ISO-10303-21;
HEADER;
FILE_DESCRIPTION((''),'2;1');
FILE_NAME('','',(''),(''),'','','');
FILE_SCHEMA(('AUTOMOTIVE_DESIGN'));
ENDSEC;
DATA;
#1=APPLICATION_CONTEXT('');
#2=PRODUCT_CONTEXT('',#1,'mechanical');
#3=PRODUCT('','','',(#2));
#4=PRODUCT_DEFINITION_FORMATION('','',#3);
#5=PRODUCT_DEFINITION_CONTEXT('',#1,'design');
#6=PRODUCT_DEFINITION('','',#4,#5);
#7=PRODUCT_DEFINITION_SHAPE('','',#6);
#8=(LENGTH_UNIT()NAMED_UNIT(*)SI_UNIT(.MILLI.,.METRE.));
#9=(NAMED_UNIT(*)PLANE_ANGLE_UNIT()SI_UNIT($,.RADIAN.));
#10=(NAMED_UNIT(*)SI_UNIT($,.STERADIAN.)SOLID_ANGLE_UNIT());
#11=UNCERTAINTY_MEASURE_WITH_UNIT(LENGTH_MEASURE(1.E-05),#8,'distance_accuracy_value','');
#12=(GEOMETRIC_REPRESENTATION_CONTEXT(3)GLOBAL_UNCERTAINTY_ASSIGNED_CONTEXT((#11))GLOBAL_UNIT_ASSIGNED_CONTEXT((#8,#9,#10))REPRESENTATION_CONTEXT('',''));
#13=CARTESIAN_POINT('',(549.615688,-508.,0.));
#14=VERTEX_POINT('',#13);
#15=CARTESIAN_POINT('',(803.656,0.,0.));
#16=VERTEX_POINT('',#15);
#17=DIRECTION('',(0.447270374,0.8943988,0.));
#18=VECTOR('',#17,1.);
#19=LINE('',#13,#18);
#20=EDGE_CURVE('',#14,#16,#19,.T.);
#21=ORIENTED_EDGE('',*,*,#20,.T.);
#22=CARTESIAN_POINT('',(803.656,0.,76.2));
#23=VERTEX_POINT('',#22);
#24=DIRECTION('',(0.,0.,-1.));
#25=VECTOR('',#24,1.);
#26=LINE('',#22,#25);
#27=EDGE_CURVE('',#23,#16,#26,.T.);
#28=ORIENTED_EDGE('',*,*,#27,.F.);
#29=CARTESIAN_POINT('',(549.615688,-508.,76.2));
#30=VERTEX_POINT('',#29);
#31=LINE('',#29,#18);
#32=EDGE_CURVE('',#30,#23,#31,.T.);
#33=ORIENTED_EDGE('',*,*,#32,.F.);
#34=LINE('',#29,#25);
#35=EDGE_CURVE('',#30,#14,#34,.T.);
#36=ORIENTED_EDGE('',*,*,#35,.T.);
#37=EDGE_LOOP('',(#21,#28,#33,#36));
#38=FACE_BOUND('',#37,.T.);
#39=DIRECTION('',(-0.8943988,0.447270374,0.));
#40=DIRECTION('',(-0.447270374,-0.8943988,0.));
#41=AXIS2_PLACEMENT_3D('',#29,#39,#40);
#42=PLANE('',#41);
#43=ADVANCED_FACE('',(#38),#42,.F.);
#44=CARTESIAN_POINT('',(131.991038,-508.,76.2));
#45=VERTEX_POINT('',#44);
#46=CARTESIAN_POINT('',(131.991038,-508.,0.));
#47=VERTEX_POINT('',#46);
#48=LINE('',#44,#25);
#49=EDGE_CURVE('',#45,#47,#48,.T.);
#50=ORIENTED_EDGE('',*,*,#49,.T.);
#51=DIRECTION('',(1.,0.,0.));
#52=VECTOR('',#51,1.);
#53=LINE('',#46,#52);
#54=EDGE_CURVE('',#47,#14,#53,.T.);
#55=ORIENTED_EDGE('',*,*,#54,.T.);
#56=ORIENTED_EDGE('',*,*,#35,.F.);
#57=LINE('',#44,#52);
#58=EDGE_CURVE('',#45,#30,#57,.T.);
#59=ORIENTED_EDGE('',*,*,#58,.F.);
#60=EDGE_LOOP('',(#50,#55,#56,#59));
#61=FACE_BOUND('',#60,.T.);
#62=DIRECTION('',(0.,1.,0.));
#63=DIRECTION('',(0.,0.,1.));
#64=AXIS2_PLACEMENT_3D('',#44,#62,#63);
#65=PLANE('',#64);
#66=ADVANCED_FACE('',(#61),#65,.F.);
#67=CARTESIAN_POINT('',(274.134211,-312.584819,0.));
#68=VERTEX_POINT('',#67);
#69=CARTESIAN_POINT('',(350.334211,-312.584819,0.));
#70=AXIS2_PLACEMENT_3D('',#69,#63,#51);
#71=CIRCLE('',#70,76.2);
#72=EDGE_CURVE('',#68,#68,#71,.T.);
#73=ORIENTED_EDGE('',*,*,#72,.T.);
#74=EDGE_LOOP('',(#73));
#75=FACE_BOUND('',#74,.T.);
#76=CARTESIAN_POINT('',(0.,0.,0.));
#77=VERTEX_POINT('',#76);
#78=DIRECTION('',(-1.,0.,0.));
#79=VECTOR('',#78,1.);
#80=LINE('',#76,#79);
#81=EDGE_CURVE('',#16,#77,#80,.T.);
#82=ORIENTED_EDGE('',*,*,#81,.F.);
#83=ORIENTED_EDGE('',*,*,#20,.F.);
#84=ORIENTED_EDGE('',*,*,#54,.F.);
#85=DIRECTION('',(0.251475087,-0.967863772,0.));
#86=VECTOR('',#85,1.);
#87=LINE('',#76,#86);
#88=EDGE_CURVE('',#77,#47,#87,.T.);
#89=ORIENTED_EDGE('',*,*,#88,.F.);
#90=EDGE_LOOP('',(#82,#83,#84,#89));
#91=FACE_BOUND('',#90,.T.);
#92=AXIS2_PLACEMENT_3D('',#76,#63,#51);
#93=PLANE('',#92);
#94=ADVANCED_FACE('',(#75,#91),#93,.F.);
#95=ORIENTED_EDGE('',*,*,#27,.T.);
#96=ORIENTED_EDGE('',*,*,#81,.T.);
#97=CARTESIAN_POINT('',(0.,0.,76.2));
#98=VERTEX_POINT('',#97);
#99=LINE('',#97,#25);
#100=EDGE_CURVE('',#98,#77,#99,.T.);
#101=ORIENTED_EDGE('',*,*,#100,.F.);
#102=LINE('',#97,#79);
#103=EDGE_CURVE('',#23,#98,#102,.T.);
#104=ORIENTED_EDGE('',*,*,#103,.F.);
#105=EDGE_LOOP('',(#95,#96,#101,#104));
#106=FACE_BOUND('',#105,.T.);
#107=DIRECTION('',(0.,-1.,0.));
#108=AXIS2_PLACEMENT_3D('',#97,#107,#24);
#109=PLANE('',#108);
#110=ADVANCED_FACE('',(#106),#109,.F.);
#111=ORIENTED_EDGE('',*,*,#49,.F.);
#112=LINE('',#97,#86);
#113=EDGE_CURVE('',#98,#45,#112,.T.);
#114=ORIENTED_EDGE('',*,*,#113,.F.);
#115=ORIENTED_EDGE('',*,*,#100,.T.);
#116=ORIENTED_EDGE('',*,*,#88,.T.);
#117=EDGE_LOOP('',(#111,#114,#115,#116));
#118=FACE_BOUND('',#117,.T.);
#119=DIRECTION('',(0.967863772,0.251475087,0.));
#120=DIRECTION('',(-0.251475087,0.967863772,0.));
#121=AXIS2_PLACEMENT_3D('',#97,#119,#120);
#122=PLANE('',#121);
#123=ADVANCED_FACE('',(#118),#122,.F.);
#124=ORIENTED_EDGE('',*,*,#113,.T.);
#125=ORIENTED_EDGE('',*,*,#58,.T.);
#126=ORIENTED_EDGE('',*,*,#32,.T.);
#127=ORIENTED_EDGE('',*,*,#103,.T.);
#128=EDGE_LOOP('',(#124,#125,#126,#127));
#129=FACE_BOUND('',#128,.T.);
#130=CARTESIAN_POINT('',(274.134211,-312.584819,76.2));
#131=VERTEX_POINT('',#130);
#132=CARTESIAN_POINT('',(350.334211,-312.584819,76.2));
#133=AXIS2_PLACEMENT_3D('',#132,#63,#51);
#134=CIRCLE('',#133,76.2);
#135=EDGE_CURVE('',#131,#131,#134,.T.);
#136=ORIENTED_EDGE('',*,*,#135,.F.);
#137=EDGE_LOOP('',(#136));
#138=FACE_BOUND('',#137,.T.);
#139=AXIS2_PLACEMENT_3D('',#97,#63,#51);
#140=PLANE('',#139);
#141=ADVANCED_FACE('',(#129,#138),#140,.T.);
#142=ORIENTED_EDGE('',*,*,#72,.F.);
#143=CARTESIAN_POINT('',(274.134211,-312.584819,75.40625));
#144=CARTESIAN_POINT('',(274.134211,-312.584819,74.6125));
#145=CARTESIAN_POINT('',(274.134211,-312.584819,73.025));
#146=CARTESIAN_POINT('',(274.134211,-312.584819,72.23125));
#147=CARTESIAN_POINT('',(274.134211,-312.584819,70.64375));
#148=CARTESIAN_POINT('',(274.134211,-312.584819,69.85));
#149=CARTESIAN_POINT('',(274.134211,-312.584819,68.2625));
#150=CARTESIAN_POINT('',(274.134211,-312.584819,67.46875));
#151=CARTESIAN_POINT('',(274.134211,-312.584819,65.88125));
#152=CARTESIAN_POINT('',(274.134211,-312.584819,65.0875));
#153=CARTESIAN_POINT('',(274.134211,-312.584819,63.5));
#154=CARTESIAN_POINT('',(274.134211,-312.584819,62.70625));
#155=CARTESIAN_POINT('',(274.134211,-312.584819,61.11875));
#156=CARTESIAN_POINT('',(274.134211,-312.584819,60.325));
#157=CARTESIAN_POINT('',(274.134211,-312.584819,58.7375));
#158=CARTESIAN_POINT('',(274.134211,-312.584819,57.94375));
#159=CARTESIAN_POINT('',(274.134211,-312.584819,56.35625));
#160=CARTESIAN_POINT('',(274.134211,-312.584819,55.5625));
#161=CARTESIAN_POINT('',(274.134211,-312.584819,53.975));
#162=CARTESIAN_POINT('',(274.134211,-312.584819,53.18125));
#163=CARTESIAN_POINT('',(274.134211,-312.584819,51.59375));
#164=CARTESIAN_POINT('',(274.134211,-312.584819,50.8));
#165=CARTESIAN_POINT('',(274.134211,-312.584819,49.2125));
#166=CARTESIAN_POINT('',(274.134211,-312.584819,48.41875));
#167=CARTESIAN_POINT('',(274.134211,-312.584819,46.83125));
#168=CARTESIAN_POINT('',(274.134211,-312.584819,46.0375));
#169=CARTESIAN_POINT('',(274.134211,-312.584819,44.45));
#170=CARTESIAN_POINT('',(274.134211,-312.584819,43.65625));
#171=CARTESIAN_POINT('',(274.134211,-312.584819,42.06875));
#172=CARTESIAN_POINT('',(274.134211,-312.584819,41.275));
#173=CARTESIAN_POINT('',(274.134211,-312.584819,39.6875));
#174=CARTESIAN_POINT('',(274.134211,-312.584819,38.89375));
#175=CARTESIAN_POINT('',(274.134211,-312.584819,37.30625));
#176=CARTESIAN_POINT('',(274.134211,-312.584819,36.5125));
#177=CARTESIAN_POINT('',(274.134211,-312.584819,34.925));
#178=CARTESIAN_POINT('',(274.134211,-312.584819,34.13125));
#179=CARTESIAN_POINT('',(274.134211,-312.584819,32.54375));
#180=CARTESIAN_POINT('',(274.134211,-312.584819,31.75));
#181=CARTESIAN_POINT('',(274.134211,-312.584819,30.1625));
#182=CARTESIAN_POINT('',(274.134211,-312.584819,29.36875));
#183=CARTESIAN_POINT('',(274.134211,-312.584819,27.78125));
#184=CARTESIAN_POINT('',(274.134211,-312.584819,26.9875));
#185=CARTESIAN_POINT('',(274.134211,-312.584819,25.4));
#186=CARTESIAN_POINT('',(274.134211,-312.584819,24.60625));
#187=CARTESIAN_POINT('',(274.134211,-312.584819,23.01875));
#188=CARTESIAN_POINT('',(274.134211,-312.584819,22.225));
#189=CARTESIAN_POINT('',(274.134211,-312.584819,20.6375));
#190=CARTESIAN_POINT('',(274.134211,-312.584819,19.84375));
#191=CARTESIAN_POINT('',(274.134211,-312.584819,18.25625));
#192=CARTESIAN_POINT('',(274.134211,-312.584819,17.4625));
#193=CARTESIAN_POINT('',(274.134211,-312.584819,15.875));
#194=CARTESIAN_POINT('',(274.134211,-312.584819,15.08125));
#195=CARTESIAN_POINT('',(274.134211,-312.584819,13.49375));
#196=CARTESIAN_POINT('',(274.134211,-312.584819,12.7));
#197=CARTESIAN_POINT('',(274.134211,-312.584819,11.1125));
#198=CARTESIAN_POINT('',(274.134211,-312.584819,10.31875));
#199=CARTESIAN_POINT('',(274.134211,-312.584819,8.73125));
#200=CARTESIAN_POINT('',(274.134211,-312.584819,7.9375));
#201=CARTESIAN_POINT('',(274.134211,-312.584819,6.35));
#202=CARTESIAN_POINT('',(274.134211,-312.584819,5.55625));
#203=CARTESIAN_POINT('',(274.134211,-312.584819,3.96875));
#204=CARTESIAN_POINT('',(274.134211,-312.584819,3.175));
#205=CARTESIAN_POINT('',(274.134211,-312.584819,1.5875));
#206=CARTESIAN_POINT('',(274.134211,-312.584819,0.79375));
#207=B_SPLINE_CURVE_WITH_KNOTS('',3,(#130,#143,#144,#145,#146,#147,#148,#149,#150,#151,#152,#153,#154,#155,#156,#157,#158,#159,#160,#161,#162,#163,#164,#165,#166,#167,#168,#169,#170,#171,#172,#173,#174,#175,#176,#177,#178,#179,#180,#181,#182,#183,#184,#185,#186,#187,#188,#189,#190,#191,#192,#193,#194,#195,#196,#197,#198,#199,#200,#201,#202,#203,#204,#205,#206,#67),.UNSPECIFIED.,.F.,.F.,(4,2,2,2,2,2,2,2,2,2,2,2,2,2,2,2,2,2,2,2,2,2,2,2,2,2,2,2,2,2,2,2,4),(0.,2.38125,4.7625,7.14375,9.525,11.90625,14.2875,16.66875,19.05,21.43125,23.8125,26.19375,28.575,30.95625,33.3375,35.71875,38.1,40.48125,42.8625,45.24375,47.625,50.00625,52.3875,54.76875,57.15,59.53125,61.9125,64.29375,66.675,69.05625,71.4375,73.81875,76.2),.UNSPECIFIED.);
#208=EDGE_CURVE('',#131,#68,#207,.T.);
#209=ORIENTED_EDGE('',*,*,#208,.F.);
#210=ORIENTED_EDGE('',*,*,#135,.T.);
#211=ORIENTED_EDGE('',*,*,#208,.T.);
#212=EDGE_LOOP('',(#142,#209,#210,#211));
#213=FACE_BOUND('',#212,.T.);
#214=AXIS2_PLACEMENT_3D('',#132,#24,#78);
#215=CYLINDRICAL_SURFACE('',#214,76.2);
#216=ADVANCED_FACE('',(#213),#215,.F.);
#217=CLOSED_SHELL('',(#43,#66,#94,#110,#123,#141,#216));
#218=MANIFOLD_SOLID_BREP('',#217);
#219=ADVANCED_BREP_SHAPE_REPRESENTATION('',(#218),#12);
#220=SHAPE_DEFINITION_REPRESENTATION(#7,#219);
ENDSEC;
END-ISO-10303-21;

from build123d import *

# Parameters (mm, degrees)
SKETCH2_R           = 76.2
BOSS_EXTRUDE2_DEPTH = 76.2


with BuildPart() as part:
    # Sketch2 → Boss-Extrude2 (new body)
    with BuildSketch(Plane.XY):
        Polygon((0, 0), (803.656, 0), (549.615688221, -508), (131.991038362, -508), align=None)
        with Locations(Location((350.334210966, -312.584818641, 0), (0, 0, 180))):
            Circle(SKETCH2_R, mode=Mode.SUBTRACT)
    extrude(amount=BOSS_EXTRUDE2_DEPTH)


solid = part.part
